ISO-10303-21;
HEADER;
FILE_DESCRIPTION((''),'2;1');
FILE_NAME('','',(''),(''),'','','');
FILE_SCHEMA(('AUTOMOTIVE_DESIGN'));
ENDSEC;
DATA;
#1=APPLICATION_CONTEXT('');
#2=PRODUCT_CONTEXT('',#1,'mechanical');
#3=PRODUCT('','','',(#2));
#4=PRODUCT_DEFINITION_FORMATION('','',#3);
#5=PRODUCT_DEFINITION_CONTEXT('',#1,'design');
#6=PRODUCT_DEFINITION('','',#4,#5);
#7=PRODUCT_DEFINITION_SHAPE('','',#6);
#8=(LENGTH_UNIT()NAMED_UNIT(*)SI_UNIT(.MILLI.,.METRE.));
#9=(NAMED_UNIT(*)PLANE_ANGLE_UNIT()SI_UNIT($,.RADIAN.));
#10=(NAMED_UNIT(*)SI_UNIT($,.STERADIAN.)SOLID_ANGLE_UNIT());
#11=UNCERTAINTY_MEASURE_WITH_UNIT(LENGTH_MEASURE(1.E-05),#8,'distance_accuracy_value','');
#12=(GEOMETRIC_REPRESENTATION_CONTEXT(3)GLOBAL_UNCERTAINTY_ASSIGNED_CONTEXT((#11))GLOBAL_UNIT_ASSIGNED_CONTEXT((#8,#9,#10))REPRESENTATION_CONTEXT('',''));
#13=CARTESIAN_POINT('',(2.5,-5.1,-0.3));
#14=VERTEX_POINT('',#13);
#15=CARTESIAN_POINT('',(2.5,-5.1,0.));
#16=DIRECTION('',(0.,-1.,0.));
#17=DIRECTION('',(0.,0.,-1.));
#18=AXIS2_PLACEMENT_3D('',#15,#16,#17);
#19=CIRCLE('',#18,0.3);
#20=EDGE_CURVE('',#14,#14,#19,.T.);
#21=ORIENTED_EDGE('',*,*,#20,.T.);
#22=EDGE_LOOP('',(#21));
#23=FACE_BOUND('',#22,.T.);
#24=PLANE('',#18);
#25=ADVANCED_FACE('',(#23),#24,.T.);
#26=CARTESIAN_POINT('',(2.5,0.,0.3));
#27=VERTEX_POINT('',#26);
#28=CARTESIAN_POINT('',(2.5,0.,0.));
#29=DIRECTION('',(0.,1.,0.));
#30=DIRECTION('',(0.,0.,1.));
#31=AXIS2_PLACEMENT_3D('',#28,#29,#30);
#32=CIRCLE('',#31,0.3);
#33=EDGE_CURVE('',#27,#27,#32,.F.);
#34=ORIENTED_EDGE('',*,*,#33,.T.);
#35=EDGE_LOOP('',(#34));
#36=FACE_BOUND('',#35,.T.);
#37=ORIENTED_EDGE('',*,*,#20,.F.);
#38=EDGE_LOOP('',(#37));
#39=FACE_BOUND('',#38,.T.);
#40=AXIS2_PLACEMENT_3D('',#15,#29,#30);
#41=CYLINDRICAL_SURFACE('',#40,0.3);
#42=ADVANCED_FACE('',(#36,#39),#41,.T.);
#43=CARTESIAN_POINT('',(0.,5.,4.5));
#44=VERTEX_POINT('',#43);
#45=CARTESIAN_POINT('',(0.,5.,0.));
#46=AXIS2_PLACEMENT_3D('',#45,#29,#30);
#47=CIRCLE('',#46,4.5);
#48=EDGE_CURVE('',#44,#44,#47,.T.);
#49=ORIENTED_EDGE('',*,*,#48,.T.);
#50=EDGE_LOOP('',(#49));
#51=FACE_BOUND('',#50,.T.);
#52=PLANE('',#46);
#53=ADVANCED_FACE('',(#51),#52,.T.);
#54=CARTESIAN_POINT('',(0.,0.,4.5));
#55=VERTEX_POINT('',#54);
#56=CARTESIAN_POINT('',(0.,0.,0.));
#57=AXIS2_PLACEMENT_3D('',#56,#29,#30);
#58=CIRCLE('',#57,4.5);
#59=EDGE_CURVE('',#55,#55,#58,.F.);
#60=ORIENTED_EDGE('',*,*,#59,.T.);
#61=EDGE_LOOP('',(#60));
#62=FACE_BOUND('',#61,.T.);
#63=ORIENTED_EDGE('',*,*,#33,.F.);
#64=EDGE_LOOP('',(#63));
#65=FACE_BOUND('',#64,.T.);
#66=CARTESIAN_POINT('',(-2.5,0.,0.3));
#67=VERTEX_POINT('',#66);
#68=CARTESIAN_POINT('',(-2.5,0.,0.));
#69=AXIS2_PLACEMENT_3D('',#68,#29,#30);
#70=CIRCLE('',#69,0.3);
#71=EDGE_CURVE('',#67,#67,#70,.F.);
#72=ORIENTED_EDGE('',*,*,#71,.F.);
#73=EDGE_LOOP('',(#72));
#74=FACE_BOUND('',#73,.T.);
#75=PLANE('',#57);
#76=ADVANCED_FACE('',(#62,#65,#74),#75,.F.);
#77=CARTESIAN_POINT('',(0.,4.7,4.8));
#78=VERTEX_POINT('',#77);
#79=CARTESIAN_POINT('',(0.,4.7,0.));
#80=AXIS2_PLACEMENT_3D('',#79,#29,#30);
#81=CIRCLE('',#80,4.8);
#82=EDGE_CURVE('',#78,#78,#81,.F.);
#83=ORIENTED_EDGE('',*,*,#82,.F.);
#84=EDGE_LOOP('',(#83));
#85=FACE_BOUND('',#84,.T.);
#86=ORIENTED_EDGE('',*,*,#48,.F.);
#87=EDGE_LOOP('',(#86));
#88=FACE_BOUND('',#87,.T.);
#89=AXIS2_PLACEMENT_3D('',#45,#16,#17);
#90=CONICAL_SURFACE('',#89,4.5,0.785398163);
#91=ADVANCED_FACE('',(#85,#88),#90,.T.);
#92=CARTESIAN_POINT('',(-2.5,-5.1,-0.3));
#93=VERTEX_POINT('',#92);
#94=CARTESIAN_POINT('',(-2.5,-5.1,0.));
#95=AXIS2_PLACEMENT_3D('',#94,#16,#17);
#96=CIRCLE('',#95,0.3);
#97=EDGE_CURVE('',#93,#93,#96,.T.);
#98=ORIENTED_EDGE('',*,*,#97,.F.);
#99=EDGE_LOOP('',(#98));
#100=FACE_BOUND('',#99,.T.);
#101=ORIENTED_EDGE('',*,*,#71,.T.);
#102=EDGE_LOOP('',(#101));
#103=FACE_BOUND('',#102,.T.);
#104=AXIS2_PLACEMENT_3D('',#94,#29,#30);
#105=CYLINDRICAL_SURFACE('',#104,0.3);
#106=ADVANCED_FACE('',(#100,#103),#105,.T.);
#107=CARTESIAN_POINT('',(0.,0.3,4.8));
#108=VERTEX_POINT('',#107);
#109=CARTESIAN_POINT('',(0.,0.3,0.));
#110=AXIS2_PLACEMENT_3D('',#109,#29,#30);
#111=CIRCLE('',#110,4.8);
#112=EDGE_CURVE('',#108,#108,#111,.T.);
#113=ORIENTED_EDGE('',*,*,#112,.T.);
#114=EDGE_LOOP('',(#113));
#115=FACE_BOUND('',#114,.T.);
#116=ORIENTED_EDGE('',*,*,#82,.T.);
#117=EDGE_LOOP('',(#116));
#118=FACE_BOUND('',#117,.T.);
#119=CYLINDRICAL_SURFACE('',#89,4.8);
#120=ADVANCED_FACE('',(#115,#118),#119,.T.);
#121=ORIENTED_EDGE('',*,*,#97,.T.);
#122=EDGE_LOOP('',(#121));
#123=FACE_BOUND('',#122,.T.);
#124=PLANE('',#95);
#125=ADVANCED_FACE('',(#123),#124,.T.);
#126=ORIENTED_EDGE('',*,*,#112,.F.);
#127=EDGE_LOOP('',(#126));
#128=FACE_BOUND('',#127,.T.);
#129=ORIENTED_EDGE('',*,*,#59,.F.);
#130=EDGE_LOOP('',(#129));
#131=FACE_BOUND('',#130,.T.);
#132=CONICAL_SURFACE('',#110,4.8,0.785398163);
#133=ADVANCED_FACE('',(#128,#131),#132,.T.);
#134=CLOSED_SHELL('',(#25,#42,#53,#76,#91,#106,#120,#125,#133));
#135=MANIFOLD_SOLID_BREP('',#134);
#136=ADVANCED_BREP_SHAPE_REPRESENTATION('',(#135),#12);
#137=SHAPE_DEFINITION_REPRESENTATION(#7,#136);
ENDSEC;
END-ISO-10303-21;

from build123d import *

# Parameters (mm, degrees)
SKETCH_1_R      = 4.8
EXTRUDE_1_DEPTH = 5
CHAMFER_1_SIZE  = 0.3
SKETCH_2_R      = 0.3
EXTRUDE_2_DEPTH = 5.1


with BuildPart() as part:
    # 草图1 → 凸台-拉伸1 (new body)
    with BuildSketch(Plane(origin=(0, 0, 0), x_dir=(1, 0, 0), z_dir=(0, 1, 0))):
        Circle(SKETCH_1_R)
    extrude(amount=EXTRUDE_1_DEPTH)

    # 倒角1
    chamfer_1_edges = [part.edges().sort_by_distance(p)[0] for p in [
        (-4.8, 0, 0),
        (-4.8, 5, 0),
    ]]
    chamfer(chamfer_1_edges, length=CHAMFER_1_SIZE)

    # 草图2 → 凸台-拉伸2 (add)
    with BuildSketch(Plane.XZ):
        with Locations((-2.5, 0)):
            Circle(SKETCH_2_R)
        with Locations((2.5, 0)):
            Circle(SKETCH_2_R)
    extrude(amount=EXTRUDE_2_DEPTH)


solid = part.part
